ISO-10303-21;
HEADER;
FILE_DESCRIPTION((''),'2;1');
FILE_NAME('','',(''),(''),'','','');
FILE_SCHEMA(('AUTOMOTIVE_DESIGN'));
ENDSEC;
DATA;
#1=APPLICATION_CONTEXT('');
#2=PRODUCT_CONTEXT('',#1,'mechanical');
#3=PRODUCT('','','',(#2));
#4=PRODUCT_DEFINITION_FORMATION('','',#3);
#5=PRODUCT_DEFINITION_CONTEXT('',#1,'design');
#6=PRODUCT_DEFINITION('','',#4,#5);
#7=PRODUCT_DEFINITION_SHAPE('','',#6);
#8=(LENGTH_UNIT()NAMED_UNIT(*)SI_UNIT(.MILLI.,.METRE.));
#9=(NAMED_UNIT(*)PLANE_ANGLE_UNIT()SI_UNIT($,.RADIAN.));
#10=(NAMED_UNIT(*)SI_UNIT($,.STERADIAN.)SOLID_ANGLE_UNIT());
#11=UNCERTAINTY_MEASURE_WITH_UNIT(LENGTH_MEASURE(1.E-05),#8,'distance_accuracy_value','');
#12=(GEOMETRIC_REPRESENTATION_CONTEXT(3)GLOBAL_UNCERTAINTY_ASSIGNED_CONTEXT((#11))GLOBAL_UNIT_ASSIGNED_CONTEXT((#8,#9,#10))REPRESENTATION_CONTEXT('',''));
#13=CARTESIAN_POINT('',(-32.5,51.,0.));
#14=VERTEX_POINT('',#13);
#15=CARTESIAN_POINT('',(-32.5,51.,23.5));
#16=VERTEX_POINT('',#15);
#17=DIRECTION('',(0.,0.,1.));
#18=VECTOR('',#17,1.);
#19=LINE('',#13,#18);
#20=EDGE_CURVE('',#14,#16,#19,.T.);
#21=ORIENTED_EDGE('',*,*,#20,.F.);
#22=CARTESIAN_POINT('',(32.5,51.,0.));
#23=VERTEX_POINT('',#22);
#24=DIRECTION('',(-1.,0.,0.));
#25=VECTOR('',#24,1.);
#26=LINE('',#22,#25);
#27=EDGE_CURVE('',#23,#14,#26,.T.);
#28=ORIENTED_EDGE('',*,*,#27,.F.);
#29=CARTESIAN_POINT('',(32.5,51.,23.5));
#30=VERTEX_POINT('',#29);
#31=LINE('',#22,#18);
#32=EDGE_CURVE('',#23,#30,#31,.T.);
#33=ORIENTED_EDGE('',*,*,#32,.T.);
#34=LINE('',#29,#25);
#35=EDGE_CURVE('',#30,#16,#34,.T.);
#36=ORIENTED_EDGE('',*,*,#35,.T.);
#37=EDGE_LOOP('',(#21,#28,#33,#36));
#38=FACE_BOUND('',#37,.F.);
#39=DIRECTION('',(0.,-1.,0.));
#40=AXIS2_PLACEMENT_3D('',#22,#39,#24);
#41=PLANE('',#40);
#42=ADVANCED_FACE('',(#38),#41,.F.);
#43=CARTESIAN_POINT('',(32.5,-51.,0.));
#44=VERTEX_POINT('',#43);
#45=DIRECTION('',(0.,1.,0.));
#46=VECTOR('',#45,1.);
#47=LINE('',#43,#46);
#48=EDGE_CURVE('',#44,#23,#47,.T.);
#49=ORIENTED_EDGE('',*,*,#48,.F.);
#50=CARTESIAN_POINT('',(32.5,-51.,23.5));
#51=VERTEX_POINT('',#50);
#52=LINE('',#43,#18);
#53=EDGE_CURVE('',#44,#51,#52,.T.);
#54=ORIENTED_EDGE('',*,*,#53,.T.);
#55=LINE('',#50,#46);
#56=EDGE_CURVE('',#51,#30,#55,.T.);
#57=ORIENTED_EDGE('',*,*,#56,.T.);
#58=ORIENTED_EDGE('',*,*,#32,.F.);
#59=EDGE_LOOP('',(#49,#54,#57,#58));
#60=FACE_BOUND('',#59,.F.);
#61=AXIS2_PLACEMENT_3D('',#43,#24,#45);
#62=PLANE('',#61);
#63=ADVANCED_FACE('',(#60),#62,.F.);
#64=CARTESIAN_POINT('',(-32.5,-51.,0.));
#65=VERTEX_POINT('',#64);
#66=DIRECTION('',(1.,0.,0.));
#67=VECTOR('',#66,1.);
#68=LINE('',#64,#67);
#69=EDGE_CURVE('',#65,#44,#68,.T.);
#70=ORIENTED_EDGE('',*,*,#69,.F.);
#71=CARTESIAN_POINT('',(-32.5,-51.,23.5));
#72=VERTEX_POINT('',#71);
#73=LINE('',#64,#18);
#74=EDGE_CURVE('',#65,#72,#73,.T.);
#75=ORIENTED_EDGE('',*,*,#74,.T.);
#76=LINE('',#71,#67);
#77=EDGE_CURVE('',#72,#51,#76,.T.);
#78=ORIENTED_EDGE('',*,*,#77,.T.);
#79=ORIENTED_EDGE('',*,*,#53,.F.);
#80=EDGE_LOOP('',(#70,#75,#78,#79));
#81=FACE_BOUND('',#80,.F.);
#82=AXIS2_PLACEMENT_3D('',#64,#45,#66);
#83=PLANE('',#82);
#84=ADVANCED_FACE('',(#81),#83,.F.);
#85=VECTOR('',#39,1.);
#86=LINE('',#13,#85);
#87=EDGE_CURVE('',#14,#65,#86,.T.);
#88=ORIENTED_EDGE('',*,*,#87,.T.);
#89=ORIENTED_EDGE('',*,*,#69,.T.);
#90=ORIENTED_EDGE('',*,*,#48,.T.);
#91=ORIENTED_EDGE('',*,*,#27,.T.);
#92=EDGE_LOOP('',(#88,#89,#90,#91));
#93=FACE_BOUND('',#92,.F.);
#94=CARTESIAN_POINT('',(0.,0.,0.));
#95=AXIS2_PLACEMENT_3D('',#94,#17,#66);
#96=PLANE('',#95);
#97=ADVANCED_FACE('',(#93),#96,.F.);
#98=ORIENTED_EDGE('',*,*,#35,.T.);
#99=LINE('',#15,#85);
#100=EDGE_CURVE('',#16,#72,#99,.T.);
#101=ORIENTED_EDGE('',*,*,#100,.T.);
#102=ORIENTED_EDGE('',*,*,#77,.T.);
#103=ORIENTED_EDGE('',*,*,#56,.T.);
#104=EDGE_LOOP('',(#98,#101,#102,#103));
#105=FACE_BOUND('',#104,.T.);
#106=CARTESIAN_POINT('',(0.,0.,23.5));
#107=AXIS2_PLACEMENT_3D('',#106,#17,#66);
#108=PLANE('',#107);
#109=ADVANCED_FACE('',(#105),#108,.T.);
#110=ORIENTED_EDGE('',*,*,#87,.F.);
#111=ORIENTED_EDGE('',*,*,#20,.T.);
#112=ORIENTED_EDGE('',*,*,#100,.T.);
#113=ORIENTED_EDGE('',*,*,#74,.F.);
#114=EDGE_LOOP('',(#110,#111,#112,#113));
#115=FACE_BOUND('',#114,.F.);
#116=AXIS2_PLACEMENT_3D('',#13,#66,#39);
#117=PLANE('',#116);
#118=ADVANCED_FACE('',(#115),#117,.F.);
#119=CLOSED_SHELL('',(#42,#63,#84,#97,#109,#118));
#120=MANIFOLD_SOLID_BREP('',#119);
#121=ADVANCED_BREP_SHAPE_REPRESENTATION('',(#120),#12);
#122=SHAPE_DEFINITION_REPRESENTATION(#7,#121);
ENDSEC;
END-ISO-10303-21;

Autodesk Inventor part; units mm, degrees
ref_plane "YZ Plane" through (0, 0, 0) normal (1, 0, 0) x (0, 1, 0)
ref_plane "XZ Plane" through (0, 0, 0) normal (0, 1, 0) x (-1, 0, 0)
ref_plane "XY Plane" through (0, 0, 0) normal (0, 0, 1) x (1, 0, 0)
sketch "Sketch1" plane through (0, 0, 0) normal (0, 0, 1) x (1, 0, 0)
  line L0 (-32.5, -51) -> (32.5, -51)
  line L1 (32.5, -51) -> (32.5, 51)
  line L2 (32.5, 51) -> (-32.5, 51)
  line L3 (-32.5, 51) -> (-32.5, -51)
  line L4 (-32.5, -51) -> (32.5, 51) construction
  line L5 (32.5, -51) -> (-32.5, 51) construction
  point P0 (0, 0)
  dimension "d0" = 65
  dimension "d1" = 102
extrude "Extrusion1" add sketch "Sketch1" along normal blind 23.5
sketch "Sketch2" plane through (0, 0, 23.5) normal (0, 0, 1) x (1, 0, 0)
  point P0 (0, 0)
  point P1 (0, 0)
properties part number "battery2"
